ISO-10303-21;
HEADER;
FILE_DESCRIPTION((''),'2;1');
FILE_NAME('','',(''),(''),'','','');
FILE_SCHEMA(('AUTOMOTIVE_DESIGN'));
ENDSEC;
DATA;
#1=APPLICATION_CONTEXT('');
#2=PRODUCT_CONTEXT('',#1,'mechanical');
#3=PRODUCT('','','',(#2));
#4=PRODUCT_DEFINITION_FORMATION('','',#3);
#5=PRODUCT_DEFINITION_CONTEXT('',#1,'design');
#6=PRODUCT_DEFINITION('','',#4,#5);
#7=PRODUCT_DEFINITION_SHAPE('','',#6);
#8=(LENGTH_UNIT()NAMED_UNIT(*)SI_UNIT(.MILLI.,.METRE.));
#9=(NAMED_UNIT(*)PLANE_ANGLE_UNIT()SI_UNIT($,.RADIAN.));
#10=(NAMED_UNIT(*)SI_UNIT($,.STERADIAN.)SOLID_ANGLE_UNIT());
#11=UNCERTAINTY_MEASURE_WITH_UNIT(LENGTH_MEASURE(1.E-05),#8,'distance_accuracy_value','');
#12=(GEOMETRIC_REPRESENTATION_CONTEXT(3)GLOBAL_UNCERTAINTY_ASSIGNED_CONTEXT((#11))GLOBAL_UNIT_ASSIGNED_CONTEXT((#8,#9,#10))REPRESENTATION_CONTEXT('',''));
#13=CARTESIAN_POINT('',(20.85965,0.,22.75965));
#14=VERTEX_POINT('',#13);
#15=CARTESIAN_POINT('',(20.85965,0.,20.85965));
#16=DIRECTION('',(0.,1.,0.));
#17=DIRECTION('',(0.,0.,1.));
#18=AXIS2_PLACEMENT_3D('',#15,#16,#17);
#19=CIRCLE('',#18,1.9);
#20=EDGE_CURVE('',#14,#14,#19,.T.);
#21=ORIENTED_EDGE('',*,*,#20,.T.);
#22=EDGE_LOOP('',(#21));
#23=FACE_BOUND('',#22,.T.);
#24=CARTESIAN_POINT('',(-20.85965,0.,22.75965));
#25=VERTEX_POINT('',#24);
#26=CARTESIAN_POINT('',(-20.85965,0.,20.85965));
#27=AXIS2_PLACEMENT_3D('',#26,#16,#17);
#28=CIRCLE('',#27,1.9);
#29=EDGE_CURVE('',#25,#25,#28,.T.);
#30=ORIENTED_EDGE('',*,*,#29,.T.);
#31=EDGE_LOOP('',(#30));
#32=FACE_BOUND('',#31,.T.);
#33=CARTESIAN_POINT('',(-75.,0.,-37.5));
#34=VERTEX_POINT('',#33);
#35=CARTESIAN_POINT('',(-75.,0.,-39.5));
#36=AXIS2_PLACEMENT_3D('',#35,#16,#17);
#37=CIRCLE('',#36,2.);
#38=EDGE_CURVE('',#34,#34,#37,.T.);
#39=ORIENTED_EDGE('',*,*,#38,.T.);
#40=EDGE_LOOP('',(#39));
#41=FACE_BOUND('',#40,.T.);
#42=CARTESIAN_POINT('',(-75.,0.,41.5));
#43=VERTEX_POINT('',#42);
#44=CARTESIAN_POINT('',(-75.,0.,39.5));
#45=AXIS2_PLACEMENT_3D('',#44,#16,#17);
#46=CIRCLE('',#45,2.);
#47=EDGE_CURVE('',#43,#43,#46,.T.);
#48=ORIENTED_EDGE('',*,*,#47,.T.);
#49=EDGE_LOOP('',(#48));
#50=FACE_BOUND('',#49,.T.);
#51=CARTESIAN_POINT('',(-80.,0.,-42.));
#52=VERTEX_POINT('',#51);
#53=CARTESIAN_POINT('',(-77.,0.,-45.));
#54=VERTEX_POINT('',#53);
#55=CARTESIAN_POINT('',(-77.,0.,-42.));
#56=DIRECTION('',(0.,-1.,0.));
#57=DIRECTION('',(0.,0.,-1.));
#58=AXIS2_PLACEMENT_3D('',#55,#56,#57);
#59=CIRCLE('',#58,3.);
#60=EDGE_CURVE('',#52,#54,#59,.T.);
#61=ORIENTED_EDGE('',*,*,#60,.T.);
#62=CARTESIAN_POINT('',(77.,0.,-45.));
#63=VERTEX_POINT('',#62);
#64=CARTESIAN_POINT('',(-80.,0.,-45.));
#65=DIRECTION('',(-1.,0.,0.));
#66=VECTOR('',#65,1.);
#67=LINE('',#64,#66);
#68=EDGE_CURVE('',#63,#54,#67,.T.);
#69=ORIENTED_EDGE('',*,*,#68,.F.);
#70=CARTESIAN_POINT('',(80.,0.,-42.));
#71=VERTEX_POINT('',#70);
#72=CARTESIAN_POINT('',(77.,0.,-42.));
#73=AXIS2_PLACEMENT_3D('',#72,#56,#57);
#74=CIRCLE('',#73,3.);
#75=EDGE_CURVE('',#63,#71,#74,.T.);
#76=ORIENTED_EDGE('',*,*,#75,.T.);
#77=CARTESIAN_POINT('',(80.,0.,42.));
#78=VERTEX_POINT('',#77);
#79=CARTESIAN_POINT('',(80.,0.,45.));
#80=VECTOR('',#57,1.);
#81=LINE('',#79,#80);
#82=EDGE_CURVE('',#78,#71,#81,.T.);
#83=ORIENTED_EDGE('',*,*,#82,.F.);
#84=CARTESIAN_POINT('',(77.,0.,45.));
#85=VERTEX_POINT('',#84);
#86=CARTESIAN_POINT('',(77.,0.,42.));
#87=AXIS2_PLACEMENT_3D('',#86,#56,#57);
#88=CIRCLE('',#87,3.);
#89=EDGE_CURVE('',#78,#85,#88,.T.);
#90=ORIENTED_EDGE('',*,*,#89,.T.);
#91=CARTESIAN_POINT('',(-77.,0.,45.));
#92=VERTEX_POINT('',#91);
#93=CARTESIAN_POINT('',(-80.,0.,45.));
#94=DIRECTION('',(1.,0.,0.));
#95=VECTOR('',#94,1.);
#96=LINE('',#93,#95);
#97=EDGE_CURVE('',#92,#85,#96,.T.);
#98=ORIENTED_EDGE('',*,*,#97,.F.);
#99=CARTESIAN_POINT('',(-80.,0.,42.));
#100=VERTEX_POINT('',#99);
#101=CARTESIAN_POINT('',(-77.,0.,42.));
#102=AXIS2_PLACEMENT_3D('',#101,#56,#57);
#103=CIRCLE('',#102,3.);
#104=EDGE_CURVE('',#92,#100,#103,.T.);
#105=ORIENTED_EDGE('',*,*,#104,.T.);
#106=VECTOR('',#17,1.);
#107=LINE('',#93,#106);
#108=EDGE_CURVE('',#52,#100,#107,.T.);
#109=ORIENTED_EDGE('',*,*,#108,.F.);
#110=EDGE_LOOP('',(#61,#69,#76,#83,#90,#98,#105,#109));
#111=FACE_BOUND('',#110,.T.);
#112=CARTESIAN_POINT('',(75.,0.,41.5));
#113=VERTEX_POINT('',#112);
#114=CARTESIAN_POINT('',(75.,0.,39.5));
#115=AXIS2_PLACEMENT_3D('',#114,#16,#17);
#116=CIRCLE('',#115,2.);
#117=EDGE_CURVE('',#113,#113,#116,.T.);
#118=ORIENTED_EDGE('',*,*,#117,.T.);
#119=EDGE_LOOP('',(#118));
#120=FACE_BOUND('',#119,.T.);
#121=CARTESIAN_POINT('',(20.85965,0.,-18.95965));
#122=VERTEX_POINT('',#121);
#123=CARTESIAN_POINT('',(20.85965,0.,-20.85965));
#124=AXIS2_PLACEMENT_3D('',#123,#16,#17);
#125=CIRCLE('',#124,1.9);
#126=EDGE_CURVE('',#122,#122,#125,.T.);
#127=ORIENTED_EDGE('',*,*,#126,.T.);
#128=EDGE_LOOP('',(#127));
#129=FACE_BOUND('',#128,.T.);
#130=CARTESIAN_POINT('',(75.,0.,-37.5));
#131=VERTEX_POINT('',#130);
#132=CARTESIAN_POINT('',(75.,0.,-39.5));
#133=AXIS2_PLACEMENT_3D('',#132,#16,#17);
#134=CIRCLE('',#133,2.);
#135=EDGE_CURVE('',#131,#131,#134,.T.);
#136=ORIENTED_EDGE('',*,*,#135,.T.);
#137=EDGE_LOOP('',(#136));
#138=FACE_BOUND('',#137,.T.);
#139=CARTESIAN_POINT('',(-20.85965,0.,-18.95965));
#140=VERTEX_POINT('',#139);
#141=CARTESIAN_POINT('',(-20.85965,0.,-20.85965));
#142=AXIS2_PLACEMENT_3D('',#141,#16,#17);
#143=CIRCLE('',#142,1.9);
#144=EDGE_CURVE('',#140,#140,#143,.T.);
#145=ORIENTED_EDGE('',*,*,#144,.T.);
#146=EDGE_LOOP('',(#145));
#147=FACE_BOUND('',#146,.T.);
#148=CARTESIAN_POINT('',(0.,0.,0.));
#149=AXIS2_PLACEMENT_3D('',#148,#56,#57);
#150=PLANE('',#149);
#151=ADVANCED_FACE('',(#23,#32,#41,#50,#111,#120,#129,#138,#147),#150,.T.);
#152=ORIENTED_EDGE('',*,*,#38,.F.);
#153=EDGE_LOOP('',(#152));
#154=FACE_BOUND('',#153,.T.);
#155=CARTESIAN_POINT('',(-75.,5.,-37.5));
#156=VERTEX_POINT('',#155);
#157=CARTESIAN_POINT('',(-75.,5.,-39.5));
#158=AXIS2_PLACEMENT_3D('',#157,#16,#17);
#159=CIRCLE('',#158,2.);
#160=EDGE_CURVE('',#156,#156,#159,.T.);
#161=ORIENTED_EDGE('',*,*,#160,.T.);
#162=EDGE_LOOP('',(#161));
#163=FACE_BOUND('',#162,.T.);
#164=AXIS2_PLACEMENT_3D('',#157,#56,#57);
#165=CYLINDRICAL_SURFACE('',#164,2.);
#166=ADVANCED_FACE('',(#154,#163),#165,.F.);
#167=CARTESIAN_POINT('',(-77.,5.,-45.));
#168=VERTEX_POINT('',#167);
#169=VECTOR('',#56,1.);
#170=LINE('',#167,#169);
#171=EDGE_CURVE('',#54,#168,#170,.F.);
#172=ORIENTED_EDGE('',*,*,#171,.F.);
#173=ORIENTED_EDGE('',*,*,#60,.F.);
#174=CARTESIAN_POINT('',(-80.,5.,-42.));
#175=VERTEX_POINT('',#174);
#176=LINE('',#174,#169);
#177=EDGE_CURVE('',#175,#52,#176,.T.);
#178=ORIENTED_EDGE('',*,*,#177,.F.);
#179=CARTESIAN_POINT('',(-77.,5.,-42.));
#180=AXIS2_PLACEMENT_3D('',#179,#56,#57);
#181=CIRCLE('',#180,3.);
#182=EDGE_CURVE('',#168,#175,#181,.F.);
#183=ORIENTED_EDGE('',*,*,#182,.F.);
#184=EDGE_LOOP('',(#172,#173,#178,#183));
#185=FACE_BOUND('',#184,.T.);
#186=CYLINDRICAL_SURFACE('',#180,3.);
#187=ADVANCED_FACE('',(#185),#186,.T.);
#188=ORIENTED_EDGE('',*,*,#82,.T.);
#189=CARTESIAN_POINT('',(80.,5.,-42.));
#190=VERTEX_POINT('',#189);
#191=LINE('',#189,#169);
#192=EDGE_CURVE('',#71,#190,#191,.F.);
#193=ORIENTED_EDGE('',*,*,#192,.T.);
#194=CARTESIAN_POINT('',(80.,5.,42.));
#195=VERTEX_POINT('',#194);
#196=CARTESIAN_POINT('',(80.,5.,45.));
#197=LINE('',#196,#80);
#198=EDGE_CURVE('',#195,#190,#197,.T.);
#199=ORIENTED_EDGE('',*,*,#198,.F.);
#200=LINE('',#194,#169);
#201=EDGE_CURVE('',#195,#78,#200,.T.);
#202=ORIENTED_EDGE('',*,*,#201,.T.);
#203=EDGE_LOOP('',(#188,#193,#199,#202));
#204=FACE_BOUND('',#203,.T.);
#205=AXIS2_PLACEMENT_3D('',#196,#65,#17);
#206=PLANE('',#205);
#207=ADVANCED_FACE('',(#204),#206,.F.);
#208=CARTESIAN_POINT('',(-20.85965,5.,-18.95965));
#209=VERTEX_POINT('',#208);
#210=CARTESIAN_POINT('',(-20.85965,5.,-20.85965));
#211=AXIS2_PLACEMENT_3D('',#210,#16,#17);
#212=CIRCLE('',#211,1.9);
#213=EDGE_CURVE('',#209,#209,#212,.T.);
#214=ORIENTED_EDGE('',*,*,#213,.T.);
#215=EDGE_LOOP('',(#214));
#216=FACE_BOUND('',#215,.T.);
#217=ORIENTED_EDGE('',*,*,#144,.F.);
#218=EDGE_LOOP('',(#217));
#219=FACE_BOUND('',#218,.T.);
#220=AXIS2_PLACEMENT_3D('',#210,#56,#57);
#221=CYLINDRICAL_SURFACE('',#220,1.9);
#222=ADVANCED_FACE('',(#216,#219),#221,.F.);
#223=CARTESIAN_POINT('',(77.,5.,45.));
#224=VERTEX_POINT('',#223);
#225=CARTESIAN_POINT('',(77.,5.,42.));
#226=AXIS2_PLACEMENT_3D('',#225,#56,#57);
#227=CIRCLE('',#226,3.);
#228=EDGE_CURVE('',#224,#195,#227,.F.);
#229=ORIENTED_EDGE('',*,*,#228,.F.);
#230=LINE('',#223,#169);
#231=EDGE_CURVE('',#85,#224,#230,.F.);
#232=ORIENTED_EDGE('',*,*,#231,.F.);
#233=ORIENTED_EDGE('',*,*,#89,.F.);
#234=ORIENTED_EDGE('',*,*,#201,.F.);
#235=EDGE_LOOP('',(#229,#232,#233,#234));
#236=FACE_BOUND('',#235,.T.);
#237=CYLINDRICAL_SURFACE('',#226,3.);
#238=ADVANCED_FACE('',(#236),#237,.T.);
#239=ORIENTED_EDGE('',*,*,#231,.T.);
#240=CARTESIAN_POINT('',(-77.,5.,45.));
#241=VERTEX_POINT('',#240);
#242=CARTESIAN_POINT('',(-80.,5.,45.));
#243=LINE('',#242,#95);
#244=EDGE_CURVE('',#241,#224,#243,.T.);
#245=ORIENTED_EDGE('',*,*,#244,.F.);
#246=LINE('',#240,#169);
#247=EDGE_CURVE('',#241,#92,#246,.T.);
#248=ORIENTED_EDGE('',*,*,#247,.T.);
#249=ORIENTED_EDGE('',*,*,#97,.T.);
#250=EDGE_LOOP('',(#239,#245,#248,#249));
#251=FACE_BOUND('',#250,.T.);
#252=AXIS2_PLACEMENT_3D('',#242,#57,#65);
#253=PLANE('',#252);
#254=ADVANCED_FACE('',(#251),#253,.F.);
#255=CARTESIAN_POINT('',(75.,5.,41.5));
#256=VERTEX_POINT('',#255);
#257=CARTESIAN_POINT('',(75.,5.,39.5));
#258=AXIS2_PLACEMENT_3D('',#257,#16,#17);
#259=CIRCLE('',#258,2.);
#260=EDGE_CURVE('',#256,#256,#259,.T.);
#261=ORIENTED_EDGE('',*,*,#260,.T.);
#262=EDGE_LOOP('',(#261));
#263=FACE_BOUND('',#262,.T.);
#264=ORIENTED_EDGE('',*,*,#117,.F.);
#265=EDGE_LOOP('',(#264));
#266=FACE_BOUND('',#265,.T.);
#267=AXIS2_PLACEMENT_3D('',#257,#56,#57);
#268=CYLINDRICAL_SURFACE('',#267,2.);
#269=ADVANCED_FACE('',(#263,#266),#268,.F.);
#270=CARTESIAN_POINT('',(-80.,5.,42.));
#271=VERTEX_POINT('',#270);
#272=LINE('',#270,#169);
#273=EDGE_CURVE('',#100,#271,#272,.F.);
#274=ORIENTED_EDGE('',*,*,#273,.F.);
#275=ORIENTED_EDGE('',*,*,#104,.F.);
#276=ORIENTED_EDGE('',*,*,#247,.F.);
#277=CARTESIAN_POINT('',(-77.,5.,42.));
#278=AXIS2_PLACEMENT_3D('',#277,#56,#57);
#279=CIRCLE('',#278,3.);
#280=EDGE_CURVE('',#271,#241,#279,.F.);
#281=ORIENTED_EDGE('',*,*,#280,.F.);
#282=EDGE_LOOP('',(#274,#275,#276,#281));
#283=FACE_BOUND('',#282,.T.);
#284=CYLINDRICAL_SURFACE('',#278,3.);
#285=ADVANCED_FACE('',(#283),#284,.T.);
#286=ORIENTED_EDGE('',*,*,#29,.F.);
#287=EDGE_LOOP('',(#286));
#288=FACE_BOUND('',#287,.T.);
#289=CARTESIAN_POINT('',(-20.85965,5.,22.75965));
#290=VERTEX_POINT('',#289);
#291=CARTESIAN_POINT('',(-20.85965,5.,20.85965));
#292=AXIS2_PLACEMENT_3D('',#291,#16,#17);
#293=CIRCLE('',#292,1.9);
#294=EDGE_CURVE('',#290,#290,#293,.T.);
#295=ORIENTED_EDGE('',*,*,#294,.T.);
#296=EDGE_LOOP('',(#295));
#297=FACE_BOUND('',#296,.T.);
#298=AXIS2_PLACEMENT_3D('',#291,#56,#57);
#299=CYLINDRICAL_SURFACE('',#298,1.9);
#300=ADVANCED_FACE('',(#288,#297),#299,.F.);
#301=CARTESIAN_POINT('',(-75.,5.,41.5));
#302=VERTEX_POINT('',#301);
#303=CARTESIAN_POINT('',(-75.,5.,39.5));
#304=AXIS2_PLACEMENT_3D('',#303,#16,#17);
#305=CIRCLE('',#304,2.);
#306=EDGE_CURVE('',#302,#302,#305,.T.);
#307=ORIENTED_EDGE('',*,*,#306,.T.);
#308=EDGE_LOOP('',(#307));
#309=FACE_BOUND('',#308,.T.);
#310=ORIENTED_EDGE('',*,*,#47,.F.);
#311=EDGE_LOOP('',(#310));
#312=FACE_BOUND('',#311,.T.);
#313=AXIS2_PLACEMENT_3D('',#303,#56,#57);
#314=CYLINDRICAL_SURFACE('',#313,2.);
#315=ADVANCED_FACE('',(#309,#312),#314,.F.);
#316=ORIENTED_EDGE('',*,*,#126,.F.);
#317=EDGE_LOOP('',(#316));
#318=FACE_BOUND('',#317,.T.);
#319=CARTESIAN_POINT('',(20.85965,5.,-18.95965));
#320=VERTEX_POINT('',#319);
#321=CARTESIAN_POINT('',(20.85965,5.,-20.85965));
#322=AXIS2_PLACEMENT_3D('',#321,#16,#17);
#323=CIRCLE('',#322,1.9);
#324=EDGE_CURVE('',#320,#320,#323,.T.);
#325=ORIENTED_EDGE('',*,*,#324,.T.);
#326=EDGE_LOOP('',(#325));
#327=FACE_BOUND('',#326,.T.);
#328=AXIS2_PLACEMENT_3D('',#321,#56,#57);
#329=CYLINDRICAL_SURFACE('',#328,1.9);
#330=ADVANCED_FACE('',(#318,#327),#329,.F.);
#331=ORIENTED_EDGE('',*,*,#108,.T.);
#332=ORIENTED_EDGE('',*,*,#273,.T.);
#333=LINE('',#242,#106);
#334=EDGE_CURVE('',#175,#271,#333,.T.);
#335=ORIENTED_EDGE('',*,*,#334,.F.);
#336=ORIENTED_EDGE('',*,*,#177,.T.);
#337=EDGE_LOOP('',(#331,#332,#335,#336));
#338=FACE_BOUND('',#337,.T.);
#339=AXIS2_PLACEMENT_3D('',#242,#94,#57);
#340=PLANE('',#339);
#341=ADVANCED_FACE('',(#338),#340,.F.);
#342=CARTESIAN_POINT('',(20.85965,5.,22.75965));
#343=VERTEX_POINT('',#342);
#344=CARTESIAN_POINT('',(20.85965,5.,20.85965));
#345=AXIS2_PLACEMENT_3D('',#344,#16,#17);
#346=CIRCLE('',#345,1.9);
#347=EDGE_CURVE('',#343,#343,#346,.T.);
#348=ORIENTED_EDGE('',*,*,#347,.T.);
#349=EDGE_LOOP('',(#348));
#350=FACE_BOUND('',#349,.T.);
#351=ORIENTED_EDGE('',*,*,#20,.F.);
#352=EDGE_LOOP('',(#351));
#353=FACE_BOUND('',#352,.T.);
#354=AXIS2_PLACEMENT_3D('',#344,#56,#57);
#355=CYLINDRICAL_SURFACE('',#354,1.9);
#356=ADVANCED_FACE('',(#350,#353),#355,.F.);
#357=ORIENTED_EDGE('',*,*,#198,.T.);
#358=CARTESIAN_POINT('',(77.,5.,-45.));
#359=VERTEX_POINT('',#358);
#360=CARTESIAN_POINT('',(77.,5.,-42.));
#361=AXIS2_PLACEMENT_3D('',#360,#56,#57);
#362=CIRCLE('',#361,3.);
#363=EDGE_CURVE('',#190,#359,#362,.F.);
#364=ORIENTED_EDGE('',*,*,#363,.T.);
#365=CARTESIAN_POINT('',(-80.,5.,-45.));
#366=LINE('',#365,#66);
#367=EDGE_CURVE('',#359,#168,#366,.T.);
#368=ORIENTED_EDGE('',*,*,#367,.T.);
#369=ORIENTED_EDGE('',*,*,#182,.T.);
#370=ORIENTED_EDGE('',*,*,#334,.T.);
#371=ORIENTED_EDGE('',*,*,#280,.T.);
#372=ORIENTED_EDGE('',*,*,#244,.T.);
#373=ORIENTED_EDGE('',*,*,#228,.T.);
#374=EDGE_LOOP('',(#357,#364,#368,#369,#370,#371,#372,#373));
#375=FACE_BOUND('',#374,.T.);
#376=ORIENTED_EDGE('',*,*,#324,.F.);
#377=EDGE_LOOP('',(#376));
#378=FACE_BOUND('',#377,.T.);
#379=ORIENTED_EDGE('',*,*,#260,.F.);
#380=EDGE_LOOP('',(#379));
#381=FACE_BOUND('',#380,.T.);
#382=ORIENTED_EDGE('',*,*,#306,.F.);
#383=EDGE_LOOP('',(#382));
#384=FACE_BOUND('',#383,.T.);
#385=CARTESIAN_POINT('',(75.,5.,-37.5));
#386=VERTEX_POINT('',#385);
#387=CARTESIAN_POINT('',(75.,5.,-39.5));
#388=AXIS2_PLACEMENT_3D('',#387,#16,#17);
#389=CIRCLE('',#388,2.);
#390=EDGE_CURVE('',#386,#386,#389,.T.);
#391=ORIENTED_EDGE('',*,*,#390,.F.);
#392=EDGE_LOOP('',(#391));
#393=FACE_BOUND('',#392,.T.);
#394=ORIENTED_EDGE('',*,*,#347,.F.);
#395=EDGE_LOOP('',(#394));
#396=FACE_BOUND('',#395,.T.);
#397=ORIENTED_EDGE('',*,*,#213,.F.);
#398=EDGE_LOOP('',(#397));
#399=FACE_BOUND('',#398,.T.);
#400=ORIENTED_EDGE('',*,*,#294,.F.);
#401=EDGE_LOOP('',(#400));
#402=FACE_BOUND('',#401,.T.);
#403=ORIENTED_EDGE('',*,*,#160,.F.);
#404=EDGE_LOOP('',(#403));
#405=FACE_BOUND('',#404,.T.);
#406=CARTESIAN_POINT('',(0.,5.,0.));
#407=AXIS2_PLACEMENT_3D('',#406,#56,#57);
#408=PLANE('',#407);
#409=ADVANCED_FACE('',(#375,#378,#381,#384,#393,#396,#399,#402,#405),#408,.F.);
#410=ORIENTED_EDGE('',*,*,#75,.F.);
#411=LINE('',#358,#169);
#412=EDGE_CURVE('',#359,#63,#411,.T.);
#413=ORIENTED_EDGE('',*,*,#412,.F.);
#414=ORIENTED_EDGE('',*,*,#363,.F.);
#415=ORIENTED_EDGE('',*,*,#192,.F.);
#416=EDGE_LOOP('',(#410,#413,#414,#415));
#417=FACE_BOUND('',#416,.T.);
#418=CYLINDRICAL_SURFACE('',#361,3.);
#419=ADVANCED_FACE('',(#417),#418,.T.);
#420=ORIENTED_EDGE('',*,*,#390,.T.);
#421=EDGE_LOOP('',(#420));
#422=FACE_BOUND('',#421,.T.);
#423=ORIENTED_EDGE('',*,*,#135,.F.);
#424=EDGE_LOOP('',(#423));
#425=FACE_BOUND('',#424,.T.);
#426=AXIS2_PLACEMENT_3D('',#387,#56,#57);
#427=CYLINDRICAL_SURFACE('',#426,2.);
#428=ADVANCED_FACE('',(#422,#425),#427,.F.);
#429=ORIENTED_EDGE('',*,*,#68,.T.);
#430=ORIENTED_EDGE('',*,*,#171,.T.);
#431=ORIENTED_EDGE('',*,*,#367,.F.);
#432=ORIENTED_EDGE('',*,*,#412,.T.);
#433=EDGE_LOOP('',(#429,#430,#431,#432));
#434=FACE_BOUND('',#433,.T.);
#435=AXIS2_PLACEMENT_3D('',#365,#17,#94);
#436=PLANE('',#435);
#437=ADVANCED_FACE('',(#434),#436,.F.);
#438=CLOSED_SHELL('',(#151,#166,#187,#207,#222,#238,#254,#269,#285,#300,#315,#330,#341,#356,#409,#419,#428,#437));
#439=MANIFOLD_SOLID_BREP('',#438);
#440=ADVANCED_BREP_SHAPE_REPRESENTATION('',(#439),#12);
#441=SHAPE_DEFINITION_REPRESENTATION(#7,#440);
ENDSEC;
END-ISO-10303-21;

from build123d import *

# Parameters (mm, degrees)
SKETCH_1_W      = 160
SKETCH_1_H      = 90
SKETCH_1_R      = 1.9
SKETCH_1_R_2    = 2
EXTRUDE_1_DEPTH = 5
FILLET_5_R      = 3


with BuildPart() as part:
    # Эскиз1 → Бобышка-Вытянуть1 (new body)
    with BuildSketch(Plane(origin=(0, 0, 0), x_dir=(1, 0, 0), z_dir=(0, 1, 0))):
        Rectangle(SKETCH_1_W, SKETCH_1_H)
        with Locations(Location((20.859650045, 20.859650045, 0), (0, 0, 270))):
            Circle(SKETCH_1_R, mode=Mode.SUBTRACT)
        with Locations(Location((20.859650045, -20.859650045, 0), (0, 0, 270))):
            Circle(SKETCH_1_R, mode=Mode.SUBTRACT)
        with Locations(Location((-20.859650045, -20.859650045, 0), (0, 0, 270))):
            Circle(SKETCH_1_R, mode=Mode.SUBTRACT)
        with Locations(Location((-20.859650045, 20.859650045, 0), (0, 0, 270))):
            Circle(SKETCH_1_R, mode=Mode.SUBTRACT)
        with Locations(Location((-75, 39.5, 0), (0, 0, 270))):
            Circle(SKETCH_1_R_2, mode=Mode.SUBTRACT)
        with Locations(Location((75, 39.5, 0), (0, 0, 270))):
            Circle(SKETCH_1_R_2, mode=Mode.SUBTRACT)
        with Locations(Location((75, -39.5, 0), (0, 0, 270))):
            Circle(SKETCH_1_R_2, mode=Mode.SUBTRACT)
        with Locations(Location((-75, -39.5, 0), (0, 0, 270))):
            Circle(SKETCH_1_R_2, mode=Mode.SUBTRACT)
    extrude(amount=EXTRUDE_1_DEPTH)

    # Скругление5
    fillet_5_edges = [part.edges().sort_by_distance(p)[0] for p in [
        (80, 2.5, 45),
        (-80, 2.5, 45),
        (-80, 2.5, -45),
        (80, 2.5, -45),
    ]]
    fillet(fillet_5_edges, radius=FILLET_5_R)


solid = part.part
